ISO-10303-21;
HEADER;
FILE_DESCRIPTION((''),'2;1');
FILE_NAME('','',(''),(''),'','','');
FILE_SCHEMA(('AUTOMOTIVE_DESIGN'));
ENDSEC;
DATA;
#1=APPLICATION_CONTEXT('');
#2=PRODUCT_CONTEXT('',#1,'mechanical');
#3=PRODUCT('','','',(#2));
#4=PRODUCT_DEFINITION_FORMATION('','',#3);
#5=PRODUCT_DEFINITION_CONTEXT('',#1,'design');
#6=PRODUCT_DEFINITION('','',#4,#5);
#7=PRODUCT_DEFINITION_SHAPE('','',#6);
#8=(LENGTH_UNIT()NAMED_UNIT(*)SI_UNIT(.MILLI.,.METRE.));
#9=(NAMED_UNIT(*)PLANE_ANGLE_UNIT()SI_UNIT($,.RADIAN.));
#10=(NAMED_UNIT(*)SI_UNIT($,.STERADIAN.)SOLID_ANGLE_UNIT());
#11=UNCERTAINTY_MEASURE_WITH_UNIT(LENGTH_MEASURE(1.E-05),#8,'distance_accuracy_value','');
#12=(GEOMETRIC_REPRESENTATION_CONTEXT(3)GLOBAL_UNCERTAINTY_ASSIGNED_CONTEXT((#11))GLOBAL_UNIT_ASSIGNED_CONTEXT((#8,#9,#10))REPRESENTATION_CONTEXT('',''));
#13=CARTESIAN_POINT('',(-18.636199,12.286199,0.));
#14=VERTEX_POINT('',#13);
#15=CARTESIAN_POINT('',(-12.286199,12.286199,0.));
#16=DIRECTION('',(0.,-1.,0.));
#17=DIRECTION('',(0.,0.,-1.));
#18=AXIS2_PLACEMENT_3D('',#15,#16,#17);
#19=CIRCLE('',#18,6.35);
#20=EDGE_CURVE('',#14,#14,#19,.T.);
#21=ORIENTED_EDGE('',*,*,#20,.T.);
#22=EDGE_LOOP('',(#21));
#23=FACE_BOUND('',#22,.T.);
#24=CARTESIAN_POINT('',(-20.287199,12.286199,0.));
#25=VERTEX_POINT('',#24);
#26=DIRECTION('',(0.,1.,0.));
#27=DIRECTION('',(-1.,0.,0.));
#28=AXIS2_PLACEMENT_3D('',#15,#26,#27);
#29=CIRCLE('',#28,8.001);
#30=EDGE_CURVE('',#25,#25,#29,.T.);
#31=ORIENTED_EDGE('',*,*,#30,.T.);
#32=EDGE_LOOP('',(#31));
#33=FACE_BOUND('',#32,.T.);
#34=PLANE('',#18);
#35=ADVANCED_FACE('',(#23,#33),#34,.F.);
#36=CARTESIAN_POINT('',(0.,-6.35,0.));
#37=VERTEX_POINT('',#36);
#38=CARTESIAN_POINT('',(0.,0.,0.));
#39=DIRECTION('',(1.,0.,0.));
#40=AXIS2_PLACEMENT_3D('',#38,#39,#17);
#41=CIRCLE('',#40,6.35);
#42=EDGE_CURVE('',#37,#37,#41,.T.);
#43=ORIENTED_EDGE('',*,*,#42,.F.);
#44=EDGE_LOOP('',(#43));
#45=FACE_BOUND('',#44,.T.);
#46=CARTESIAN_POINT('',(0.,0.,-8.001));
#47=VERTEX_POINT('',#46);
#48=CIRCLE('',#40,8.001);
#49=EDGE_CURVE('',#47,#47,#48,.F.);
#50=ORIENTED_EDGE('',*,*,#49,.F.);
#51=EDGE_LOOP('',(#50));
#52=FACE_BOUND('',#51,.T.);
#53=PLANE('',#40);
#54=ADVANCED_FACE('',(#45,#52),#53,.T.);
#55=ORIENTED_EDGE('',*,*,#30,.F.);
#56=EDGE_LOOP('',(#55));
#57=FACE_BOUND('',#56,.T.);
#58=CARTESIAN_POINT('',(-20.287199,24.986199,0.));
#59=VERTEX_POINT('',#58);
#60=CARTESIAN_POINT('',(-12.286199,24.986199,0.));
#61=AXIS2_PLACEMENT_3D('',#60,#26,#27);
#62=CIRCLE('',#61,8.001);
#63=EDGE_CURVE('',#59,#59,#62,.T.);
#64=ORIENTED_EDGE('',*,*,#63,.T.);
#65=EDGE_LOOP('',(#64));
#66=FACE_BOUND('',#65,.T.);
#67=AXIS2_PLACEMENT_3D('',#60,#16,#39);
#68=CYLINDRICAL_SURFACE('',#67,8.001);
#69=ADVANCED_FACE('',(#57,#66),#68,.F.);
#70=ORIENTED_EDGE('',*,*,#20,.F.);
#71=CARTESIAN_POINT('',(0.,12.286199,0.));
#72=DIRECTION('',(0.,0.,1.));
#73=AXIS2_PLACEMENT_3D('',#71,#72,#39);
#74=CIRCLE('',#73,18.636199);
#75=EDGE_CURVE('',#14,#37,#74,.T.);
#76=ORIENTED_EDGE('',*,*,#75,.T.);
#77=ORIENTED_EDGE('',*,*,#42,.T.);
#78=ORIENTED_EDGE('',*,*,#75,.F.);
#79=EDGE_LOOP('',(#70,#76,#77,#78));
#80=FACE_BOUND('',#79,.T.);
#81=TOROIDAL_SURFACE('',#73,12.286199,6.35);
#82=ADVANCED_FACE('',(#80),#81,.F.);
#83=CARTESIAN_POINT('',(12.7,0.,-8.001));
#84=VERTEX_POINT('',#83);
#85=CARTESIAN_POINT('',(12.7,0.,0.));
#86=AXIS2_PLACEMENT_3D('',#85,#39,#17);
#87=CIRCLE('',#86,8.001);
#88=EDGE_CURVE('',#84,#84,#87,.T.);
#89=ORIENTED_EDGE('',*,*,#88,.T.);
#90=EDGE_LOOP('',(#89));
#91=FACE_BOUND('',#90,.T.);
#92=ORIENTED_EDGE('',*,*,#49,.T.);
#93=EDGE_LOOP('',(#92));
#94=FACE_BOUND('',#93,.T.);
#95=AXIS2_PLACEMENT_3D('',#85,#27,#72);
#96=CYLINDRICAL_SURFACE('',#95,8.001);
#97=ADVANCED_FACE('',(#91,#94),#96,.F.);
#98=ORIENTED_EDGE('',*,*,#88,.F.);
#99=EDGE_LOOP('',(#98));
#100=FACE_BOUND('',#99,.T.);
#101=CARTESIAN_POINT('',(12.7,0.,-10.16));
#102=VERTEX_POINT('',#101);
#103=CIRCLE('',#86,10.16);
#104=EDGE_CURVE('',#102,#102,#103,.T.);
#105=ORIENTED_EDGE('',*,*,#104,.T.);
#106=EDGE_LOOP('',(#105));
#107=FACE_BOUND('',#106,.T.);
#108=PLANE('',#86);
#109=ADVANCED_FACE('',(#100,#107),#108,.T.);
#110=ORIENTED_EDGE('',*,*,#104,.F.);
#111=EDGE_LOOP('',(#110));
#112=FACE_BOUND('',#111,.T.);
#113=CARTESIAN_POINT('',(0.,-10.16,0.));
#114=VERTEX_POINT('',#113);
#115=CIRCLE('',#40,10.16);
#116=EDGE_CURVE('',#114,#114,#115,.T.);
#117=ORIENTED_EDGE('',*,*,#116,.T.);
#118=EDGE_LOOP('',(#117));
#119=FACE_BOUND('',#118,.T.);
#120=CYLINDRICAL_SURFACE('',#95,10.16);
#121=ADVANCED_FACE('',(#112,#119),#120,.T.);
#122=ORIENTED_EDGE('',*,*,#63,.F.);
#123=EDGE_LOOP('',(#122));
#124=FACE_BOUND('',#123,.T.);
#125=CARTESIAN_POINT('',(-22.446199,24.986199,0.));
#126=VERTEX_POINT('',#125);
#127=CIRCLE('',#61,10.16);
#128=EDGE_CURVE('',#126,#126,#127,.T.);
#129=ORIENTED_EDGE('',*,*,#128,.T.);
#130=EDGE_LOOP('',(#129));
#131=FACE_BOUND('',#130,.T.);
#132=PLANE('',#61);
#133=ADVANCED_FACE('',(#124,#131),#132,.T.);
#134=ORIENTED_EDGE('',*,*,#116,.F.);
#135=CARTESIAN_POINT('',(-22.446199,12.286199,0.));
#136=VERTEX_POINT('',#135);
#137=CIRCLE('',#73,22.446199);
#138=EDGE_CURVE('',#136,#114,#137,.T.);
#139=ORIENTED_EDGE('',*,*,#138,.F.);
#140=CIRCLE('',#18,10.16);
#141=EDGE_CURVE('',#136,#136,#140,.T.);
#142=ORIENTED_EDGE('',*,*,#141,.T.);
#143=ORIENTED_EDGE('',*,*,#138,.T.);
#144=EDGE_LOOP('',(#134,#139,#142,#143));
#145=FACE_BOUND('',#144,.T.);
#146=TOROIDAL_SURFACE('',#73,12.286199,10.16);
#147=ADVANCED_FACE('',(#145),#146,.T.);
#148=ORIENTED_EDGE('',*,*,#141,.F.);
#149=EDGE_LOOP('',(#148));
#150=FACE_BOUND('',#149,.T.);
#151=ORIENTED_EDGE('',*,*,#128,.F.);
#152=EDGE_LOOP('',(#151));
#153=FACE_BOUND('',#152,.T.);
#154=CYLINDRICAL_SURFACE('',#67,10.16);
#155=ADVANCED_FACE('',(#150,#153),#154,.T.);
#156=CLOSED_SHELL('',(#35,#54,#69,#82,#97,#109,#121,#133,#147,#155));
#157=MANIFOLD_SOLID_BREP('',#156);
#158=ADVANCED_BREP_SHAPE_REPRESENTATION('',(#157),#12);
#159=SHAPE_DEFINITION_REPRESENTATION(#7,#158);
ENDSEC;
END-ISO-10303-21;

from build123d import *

# Parameters (mm, degrees)
SKETCH1_R           = 10.16
SKETCH1_R_2         = 6.35
REVOLVE1_ANGLE      = 90
SKETCH2_R           = 10.16
SKETCH2_R_2         = 8.001
BOSS_EXTRUDE1_DEPTH = 12.7
SKETCH3_R           = 10.16
SKETCH3_R_2         = 8.001
BOSS_EXTRUDE2_DEPTH = 12.7


with BuildPart() as part:
    # Sketch1 → Revolve1 (revolve)
    with BuildSketch(Plane(origin=(0, 0, 0), x_dir=(0, 0, -1), z_dir=(1, 0, 0))):
        Circle(SKETCH1_R)
        Circle(SKETCH1_R_2, mode=Mode.SUBTRACT)
    revolve(axis=Axis((0, 12.286198988, 1000.032631209), (0, 0, -1)), revolution_arc=REVOLVE1_ANGLE)

    # Sketch2 → Boss-Extrude1 (add)
    with BuildSketch(Plane(origin=(0, 12.286198988, 0), x_dir=(1, 0, 0), z_dir=(0, 1, 0))):
        with Locations(Location((-12.286198988, 0, 0), (0, 0, 180))):
            Circle(SKETCH2_R)
        with Locations(Location((-12.286198988, 0, 0), (0, 0, 180))):
            Circle(SKETCH2_R_2, mode=Mode.SUBTRACT)
    extrude(amount=BOSS_EXTRUDE1_DEPTH)

    # Sketch3 → Boss-Extrude2 (add)
    with BuildSketch(Plane(origin=(0, 0, 0), x_dir=(0, 0, -1), z_dir=(1, 0, 0))):
        with Locations(Location((0, 0, 0), (0, 0, 270))):
            Circle(SKETCH3_R)
        Circle(SKETCH3_R_2, mode=Mode.SUBTRACT)
    extrude(amount=BOSS_EXTRUDE2_DEPTH)


solid = part.part
